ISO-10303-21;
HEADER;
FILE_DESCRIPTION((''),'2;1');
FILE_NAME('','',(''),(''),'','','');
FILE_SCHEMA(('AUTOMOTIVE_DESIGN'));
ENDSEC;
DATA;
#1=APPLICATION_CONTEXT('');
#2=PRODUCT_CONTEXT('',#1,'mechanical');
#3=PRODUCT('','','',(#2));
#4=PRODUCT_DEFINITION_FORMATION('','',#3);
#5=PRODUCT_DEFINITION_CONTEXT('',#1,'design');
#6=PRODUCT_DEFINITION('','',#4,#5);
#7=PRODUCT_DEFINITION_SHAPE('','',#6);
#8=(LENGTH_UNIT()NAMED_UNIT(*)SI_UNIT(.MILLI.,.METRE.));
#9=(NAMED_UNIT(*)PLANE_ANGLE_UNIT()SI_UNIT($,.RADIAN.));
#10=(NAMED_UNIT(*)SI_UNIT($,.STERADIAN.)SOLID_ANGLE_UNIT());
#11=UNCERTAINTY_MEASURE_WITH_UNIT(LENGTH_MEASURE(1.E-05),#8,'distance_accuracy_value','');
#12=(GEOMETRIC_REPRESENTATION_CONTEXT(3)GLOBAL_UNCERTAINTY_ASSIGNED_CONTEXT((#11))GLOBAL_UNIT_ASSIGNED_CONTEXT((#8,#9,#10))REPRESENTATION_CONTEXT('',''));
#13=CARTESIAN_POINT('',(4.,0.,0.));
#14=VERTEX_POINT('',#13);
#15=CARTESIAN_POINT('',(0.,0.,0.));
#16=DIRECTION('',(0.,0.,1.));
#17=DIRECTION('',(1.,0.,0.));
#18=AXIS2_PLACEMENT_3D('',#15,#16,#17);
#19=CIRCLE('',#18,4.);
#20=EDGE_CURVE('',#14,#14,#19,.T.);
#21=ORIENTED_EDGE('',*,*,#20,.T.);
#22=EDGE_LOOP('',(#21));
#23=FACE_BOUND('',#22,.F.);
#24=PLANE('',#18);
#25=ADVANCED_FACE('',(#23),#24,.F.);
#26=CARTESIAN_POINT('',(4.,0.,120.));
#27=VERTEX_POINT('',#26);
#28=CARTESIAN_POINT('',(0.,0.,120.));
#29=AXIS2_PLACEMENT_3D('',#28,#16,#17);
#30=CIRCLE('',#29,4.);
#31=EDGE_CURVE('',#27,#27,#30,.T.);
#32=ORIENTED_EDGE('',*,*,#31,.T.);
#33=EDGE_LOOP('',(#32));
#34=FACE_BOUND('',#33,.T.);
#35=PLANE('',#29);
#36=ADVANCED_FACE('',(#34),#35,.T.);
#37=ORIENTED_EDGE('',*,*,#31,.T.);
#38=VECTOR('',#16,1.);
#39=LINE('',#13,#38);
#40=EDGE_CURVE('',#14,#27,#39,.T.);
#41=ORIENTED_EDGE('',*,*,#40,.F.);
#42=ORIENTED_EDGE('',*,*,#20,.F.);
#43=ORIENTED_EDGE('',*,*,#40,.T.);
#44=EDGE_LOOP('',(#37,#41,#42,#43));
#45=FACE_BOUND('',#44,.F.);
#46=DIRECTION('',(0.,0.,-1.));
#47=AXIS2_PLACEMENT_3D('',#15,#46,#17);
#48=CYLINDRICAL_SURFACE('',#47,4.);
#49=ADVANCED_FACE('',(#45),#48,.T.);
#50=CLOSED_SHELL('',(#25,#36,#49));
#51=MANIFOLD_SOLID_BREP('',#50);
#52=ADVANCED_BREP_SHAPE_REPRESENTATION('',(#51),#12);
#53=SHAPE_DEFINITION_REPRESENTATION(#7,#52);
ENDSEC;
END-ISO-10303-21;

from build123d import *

# Parameters (mm, degrees)
SKETCH_R  = 4
PAD_DEPTH = 120


with BuildPart() as part:
    # Sketch → Pad (new body)
    with BuildSketch(Plane.XY):
        Circle(SKETCH_R)
    extrude(amount=PAD_DEPTH)


solid = part.part
